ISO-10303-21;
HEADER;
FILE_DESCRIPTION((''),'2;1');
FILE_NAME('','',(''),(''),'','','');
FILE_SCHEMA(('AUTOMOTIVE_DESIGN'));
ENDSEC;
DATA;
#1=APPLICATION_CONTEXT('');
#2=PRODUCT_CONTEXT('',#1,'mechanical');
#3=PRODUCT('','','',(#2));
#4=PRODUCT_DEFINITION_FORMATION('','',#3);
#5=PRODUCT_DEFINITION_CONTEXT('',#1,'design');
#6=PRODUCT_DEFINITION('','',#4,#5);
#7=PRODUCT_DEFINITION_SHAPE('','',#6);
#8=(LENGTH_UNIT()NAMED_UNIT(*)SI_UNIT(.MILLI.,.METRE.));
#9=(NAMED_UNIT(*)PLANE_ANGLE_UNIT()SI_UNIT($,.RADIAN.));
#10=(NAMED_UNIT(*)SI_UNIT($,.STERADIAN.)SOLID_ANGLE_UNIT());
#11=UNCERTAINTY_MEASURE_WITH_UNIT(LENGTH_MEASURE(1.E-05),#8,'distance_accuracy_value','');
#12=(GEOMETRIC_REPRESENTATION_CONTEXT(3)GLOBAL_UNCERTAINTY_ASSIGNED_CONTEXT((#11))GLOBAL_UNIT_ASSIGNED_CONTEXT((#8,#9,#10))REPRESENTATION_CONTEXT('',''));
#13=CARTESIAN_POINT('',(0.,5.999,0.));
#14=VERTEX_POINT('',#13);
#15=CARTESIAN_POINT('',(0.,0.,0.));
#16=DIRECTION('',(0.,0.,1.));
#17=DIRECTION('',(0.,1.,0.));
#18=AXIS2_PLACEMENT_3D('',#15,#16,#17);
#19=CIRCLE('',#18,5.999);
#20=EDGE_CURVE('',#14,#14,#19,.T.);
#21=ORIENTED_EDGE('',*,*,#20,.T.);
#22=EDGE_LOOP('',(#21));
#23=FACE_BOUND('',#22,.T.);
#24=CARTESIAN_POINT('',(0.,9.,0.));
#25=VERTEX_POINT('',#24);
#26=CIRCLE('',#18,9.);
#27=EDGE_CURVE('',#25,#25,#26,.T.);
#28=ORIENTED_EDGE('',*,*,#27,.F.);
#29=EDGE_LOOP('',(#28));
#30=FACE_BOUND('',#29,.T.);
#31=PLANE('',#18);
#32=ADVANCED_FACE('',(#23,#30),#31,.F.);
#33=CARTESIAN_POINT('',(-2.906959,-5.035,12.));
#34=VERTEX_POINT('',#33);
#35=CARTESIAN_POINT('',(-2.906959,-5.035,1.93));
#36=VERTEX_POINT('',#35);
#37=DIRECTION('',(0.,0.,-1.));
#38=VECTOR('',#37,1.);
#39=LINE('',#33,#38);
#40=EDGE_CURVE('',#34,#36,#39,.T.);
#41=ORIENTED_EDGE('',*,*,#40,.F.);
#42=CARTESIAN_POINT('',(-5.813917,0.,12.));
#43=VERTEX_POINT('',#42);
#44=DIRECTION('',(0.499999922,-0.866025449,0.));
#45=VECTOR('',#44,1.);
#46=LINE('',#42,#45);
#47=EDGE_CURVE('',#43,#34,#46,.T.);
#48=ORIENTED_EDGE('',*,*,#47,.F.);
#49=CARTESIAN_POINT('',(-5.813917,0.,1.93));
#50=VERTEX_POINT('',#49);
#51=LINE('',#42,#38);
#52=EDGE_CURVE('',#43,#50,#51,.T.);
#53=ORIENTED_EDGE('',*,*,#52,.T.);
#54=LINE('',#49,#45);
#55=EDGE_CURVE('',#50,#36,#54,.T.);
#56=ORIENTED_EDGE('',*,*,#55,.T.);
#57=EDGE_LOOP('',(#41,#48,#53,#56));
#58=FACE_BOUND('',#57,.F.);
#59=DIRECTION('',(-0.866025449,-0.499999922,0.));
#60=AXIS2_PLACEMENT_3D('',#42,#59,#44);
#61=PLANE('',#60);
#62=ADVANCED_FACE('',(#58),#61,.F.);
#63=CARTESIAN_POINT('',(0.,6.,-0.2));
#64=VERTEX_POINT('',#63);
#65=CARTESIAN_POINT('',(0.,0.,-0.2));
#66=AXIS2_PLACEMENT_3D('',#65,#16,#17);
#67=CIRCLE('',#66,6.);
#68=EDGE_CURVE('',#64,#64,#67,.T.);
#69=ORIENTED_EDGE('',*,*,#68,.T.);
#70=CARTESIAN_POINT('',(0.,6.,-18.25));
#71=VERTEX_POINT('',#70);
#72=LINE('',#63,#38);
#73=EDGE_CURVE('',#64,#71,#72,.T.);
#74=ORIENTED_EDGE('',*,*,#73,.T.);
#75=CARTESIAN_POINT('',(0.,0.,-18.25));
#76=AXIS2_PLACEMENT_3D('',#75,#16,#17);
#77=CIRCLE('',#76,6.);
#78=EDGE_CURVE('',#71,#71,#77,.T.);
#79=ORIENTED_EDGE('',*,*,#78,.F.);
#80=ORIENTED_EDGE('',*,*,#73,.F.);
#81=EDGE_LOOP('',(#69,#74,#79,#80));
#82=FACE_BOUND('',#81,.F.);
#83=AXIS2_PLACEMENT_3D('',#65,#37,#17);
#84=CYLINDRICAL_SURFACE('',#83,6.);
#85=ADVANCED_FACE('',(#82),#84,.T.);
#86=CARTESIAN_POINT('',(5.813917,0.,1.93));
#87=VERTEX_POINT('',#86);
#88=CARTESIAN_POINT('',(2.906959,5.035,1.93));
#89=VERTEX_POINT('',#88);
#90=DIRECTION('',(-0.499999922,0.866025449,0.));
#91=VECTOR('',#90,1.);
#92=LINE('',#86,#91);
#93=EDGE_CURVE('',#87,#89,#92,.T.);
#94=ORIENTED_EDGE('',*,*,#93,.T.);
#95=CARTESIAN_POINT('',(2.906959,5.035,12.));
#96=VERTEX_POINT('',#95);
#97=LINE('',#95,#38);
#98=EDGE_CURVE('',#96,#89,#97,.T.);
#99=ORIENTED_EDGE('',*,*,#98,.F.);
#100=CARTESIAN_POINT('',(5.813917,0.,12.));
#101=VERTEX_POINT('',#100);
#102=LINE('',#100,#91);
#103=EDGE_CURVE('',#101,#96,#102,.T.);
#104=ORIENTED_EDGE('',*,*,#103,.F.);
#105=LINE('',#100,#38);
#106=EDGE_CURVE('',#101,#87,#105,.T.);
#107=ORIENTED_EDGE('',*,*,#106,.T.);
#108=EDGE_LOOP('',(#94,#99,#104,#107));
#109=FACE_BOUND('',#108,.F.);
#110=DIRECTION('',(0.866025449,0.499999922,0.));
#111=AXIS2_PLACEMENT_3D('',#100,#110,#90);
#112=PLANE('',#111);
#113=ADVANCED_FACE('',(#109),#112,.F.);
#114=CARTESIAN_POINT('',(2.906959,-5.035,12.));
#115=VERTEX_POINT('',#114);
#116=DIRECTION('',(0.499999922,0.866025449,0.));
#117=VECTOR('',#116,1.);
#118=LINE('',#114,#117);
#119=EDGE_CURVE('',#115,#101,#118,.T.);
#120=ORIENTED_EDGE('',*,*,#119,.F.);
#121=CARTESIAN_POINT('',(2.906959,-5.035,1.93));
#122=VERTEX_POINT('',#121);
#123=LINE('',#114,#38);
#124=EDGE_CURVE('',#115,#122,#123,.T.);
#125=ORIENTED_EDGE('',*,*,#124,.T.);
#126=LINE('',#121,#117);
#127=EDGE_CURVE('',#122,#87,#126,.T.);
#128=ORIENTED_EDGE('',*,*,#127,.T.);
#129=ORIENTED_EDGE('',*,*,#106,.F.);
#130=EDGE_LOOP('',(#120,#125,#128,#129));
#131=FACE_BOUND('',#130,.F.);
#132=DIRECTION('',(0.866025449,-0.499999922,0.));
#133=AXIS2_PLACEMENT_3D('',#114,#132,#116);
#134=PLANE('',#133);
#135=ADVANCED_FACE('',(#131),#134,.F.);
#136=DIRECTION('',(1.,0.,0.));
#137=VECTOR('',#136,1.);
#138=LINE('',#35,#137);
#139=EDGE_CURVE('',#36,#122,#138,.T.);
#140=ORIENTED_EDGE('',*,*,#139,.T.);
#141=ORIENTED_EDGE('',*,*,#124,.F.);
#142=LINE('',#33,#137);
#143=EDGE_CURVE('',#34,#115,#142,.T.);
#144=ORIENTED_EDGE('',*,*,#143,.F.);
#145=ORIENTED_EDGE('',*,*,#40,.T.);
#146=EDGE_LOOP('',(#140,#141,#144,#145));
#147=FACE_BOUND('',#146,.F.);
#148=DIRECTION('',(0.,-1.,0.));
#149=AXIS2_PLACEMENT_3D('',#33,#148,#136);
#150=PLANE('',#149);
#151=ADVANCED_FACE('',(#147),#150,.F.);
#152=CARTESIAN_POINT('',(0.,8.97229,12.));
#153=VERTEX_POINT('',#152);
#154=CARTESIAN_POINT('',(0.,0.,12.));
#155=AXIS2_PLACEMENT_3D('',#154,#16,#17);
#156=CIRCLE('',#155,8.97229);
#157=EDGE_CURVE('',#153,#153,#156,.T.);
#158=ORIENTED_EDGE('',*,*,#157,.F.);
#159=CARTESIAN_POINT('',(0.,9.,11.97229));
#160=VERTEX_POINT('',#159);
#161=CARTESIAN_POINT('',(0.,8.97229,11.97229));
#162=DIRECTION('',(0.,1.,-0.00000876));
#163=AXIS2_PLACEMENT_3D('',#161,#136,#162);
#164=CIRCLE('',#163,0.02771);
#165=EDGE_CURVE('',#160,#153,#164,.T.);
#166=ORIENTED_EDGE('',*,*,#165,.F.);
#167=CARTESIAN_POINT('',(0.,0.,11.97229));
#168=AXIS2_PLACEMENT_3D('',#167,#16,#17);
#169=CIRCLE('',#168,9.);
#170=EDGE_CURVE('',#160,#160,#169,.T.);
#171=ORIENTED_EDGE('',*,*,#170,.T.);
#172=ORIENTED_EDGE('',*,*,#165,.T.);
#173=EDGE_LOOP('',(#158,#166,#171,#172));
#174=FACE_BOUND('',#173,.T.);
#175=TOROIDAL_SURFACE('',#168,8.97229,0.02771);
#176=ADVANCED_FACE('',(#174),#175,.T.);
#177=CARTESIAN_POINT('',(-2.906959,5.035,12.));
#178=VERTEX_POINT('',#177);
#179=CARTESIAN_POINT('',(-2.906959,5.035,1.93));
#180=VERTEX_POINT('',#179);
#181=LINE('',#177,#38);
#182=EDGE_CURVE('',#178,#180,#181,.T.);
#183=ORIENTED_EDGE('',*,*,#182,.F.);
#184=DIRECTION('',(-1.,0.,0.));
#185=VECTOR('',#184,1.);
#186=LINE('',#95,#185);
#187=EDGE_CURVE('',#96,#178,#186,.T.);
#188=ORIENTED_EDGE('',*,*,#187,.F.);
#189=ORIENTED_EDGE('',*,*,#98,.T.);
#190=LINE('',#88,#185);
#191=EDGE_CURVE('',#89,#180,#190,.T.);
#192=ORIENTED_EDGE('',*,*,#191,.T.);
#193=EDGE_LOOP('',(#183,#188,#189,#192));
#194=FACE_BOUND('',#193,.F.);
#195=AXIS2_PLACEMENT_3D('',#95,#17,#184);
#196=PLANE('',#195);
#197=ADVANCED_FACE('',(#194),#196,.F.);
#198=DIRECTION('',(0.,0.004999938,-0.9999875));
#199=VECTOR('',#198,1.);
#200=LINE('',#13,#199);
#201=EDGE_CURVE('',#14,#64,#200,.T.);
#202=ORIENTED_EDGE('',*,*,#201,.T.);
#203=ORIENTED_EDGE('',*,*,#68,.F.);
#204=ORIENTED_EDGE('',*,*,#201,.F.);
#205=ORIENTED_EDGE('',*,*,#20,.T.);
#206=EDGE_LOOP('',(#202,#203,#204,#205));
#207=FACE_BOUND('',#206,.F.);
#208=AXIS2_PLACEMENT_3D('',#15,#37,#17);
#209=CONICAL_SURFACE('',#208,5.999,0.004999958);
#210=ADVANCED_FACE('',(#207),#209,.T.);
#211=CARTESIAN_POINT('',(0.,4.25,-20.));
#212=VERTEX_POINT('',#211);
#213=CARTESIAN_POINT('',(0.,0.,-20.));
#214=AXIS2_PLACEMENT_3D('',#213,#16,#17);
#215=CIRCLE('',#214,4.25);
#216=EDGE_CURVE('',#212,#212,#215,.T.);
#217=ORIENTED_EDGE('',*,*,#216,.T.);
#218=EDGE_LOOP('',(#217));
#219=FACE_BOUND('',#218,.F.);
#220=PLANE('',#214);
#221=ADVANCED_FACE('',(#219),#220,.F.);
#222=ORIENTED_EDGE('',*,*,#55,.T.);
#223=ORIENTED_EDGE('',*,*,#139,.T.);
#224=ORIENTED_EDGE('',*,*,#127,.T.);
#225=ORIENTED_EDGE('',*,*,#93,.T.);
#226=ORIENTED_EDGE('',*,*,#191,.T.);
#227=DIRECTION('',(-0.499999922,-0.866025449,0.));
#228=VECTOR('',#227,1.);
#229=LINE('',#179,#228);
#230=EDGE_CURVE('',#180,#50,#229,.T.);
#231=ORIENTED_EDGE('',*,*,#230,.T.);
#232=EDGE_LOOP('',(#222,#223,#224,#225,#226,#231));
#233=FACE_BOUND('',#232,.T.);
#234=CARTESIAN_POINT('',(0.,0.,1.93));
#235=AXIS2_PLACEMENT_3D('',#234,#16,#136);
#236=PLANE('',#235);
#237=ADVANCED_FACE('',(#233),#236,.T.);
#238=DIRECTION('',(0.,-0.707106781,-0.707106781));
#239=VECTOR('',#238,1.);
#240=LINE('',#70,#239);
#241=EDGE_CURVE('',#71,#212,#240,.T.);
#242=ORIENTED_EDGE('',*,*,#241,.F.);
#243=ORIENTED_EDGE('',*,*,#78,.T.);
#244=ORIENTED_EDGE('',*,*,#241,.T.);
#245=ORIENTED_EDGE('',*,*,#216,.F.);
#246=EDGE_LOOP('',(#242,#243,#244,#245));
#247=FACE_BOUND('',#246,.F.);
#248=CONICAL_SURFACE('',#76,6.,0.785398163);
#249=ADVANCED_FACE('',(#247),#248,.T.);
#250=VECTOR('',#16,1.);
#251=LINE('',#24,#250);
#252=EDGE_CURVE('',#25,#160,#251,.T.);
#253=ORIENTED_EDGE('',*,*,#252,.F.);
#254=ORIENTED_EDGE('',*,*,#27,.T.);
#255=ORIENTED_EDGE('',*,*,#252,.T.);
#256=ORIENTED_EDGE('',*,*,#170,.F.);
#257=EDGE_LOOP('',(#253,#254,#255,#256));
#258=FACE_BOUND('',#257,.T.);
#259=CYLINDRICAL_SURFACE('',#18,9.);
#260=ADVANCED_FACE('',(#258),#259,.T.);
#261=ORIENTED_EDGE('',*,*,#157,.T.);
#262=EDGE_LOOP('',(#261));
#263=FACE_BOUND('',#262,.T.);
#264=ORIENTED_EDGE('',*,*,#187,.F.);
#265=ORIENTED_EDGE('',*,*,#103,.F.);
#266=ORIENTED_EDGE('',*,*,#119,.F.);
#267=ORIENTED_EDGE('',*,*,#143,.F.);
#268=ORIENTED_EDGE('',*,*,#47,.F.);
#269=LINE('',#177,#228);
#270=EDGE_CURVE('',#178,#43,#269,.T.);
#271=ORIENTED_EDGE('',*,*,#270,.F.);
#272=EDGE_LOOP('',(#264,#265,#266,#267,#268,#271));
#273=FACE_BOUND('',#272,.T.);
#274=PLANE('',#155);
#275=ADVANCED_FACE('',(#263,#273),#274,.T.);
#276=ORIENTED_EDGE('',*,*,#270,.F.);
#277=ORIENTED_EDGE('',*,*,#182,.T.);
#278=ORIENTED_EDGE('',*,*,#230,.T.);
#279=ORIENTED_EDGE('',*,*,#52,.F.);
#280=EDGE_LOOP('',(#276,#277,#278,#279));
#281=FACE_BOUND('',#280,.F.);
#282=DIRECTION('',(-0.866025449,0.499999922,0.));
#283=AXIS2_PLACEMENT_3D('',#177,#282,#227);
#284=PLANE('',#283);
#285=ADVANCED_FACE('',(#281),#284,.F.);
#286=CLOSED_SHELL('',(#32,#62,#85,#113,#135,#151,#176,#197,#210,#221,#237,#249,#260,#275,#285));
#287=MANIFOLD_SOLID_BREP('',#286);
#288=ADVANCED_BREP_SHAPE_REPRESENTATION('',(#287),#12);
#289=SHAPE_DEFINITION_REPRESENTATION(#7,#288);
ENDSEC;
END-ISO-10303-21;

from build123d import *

# Parameters (mm, degrees)
POCKET_DEPTH = 10.07


with BuildPart() as part:
    # Sketch → Revolve (revolve)
    with BuildSketch(Plane.YZ):
        with BuildLine():
            Line((5.999, 0), (9, 0))
            Line((9, 0), (9, 11.97229))
            ThreePointArc((9, 11.97229), (8.991884, 11.991884), (8.97229, 12))
            Line((8.97229, 12), (0, 12))
            Line((0, -20), (0, 12))
            Line((4.25, -20), (0, -20))
            Line((6, -18.25), (4.25, -20))
            Line((6, -0.2), (6, -18.25))
            Line((5.999, 0), (6, -0.2))
        make_face()
    revolve(axis=Axis((0, 0, 0), (0, 0, 1)))

    # Sketch001 → Pocket (cut)
    with BuildSketch(Plane.XY.offset(12)):
        Polygon((5.813917, 0), (2.906959, 5.035), (-2.906959, 5.035), (-5.813917, 0), (-2.906959, -5.035), (2.906959, -5.035), align=None)
    extrude(amount=-POCKET_DEPTH, mode=Mode.SUBTRACT)


solid = part.part
